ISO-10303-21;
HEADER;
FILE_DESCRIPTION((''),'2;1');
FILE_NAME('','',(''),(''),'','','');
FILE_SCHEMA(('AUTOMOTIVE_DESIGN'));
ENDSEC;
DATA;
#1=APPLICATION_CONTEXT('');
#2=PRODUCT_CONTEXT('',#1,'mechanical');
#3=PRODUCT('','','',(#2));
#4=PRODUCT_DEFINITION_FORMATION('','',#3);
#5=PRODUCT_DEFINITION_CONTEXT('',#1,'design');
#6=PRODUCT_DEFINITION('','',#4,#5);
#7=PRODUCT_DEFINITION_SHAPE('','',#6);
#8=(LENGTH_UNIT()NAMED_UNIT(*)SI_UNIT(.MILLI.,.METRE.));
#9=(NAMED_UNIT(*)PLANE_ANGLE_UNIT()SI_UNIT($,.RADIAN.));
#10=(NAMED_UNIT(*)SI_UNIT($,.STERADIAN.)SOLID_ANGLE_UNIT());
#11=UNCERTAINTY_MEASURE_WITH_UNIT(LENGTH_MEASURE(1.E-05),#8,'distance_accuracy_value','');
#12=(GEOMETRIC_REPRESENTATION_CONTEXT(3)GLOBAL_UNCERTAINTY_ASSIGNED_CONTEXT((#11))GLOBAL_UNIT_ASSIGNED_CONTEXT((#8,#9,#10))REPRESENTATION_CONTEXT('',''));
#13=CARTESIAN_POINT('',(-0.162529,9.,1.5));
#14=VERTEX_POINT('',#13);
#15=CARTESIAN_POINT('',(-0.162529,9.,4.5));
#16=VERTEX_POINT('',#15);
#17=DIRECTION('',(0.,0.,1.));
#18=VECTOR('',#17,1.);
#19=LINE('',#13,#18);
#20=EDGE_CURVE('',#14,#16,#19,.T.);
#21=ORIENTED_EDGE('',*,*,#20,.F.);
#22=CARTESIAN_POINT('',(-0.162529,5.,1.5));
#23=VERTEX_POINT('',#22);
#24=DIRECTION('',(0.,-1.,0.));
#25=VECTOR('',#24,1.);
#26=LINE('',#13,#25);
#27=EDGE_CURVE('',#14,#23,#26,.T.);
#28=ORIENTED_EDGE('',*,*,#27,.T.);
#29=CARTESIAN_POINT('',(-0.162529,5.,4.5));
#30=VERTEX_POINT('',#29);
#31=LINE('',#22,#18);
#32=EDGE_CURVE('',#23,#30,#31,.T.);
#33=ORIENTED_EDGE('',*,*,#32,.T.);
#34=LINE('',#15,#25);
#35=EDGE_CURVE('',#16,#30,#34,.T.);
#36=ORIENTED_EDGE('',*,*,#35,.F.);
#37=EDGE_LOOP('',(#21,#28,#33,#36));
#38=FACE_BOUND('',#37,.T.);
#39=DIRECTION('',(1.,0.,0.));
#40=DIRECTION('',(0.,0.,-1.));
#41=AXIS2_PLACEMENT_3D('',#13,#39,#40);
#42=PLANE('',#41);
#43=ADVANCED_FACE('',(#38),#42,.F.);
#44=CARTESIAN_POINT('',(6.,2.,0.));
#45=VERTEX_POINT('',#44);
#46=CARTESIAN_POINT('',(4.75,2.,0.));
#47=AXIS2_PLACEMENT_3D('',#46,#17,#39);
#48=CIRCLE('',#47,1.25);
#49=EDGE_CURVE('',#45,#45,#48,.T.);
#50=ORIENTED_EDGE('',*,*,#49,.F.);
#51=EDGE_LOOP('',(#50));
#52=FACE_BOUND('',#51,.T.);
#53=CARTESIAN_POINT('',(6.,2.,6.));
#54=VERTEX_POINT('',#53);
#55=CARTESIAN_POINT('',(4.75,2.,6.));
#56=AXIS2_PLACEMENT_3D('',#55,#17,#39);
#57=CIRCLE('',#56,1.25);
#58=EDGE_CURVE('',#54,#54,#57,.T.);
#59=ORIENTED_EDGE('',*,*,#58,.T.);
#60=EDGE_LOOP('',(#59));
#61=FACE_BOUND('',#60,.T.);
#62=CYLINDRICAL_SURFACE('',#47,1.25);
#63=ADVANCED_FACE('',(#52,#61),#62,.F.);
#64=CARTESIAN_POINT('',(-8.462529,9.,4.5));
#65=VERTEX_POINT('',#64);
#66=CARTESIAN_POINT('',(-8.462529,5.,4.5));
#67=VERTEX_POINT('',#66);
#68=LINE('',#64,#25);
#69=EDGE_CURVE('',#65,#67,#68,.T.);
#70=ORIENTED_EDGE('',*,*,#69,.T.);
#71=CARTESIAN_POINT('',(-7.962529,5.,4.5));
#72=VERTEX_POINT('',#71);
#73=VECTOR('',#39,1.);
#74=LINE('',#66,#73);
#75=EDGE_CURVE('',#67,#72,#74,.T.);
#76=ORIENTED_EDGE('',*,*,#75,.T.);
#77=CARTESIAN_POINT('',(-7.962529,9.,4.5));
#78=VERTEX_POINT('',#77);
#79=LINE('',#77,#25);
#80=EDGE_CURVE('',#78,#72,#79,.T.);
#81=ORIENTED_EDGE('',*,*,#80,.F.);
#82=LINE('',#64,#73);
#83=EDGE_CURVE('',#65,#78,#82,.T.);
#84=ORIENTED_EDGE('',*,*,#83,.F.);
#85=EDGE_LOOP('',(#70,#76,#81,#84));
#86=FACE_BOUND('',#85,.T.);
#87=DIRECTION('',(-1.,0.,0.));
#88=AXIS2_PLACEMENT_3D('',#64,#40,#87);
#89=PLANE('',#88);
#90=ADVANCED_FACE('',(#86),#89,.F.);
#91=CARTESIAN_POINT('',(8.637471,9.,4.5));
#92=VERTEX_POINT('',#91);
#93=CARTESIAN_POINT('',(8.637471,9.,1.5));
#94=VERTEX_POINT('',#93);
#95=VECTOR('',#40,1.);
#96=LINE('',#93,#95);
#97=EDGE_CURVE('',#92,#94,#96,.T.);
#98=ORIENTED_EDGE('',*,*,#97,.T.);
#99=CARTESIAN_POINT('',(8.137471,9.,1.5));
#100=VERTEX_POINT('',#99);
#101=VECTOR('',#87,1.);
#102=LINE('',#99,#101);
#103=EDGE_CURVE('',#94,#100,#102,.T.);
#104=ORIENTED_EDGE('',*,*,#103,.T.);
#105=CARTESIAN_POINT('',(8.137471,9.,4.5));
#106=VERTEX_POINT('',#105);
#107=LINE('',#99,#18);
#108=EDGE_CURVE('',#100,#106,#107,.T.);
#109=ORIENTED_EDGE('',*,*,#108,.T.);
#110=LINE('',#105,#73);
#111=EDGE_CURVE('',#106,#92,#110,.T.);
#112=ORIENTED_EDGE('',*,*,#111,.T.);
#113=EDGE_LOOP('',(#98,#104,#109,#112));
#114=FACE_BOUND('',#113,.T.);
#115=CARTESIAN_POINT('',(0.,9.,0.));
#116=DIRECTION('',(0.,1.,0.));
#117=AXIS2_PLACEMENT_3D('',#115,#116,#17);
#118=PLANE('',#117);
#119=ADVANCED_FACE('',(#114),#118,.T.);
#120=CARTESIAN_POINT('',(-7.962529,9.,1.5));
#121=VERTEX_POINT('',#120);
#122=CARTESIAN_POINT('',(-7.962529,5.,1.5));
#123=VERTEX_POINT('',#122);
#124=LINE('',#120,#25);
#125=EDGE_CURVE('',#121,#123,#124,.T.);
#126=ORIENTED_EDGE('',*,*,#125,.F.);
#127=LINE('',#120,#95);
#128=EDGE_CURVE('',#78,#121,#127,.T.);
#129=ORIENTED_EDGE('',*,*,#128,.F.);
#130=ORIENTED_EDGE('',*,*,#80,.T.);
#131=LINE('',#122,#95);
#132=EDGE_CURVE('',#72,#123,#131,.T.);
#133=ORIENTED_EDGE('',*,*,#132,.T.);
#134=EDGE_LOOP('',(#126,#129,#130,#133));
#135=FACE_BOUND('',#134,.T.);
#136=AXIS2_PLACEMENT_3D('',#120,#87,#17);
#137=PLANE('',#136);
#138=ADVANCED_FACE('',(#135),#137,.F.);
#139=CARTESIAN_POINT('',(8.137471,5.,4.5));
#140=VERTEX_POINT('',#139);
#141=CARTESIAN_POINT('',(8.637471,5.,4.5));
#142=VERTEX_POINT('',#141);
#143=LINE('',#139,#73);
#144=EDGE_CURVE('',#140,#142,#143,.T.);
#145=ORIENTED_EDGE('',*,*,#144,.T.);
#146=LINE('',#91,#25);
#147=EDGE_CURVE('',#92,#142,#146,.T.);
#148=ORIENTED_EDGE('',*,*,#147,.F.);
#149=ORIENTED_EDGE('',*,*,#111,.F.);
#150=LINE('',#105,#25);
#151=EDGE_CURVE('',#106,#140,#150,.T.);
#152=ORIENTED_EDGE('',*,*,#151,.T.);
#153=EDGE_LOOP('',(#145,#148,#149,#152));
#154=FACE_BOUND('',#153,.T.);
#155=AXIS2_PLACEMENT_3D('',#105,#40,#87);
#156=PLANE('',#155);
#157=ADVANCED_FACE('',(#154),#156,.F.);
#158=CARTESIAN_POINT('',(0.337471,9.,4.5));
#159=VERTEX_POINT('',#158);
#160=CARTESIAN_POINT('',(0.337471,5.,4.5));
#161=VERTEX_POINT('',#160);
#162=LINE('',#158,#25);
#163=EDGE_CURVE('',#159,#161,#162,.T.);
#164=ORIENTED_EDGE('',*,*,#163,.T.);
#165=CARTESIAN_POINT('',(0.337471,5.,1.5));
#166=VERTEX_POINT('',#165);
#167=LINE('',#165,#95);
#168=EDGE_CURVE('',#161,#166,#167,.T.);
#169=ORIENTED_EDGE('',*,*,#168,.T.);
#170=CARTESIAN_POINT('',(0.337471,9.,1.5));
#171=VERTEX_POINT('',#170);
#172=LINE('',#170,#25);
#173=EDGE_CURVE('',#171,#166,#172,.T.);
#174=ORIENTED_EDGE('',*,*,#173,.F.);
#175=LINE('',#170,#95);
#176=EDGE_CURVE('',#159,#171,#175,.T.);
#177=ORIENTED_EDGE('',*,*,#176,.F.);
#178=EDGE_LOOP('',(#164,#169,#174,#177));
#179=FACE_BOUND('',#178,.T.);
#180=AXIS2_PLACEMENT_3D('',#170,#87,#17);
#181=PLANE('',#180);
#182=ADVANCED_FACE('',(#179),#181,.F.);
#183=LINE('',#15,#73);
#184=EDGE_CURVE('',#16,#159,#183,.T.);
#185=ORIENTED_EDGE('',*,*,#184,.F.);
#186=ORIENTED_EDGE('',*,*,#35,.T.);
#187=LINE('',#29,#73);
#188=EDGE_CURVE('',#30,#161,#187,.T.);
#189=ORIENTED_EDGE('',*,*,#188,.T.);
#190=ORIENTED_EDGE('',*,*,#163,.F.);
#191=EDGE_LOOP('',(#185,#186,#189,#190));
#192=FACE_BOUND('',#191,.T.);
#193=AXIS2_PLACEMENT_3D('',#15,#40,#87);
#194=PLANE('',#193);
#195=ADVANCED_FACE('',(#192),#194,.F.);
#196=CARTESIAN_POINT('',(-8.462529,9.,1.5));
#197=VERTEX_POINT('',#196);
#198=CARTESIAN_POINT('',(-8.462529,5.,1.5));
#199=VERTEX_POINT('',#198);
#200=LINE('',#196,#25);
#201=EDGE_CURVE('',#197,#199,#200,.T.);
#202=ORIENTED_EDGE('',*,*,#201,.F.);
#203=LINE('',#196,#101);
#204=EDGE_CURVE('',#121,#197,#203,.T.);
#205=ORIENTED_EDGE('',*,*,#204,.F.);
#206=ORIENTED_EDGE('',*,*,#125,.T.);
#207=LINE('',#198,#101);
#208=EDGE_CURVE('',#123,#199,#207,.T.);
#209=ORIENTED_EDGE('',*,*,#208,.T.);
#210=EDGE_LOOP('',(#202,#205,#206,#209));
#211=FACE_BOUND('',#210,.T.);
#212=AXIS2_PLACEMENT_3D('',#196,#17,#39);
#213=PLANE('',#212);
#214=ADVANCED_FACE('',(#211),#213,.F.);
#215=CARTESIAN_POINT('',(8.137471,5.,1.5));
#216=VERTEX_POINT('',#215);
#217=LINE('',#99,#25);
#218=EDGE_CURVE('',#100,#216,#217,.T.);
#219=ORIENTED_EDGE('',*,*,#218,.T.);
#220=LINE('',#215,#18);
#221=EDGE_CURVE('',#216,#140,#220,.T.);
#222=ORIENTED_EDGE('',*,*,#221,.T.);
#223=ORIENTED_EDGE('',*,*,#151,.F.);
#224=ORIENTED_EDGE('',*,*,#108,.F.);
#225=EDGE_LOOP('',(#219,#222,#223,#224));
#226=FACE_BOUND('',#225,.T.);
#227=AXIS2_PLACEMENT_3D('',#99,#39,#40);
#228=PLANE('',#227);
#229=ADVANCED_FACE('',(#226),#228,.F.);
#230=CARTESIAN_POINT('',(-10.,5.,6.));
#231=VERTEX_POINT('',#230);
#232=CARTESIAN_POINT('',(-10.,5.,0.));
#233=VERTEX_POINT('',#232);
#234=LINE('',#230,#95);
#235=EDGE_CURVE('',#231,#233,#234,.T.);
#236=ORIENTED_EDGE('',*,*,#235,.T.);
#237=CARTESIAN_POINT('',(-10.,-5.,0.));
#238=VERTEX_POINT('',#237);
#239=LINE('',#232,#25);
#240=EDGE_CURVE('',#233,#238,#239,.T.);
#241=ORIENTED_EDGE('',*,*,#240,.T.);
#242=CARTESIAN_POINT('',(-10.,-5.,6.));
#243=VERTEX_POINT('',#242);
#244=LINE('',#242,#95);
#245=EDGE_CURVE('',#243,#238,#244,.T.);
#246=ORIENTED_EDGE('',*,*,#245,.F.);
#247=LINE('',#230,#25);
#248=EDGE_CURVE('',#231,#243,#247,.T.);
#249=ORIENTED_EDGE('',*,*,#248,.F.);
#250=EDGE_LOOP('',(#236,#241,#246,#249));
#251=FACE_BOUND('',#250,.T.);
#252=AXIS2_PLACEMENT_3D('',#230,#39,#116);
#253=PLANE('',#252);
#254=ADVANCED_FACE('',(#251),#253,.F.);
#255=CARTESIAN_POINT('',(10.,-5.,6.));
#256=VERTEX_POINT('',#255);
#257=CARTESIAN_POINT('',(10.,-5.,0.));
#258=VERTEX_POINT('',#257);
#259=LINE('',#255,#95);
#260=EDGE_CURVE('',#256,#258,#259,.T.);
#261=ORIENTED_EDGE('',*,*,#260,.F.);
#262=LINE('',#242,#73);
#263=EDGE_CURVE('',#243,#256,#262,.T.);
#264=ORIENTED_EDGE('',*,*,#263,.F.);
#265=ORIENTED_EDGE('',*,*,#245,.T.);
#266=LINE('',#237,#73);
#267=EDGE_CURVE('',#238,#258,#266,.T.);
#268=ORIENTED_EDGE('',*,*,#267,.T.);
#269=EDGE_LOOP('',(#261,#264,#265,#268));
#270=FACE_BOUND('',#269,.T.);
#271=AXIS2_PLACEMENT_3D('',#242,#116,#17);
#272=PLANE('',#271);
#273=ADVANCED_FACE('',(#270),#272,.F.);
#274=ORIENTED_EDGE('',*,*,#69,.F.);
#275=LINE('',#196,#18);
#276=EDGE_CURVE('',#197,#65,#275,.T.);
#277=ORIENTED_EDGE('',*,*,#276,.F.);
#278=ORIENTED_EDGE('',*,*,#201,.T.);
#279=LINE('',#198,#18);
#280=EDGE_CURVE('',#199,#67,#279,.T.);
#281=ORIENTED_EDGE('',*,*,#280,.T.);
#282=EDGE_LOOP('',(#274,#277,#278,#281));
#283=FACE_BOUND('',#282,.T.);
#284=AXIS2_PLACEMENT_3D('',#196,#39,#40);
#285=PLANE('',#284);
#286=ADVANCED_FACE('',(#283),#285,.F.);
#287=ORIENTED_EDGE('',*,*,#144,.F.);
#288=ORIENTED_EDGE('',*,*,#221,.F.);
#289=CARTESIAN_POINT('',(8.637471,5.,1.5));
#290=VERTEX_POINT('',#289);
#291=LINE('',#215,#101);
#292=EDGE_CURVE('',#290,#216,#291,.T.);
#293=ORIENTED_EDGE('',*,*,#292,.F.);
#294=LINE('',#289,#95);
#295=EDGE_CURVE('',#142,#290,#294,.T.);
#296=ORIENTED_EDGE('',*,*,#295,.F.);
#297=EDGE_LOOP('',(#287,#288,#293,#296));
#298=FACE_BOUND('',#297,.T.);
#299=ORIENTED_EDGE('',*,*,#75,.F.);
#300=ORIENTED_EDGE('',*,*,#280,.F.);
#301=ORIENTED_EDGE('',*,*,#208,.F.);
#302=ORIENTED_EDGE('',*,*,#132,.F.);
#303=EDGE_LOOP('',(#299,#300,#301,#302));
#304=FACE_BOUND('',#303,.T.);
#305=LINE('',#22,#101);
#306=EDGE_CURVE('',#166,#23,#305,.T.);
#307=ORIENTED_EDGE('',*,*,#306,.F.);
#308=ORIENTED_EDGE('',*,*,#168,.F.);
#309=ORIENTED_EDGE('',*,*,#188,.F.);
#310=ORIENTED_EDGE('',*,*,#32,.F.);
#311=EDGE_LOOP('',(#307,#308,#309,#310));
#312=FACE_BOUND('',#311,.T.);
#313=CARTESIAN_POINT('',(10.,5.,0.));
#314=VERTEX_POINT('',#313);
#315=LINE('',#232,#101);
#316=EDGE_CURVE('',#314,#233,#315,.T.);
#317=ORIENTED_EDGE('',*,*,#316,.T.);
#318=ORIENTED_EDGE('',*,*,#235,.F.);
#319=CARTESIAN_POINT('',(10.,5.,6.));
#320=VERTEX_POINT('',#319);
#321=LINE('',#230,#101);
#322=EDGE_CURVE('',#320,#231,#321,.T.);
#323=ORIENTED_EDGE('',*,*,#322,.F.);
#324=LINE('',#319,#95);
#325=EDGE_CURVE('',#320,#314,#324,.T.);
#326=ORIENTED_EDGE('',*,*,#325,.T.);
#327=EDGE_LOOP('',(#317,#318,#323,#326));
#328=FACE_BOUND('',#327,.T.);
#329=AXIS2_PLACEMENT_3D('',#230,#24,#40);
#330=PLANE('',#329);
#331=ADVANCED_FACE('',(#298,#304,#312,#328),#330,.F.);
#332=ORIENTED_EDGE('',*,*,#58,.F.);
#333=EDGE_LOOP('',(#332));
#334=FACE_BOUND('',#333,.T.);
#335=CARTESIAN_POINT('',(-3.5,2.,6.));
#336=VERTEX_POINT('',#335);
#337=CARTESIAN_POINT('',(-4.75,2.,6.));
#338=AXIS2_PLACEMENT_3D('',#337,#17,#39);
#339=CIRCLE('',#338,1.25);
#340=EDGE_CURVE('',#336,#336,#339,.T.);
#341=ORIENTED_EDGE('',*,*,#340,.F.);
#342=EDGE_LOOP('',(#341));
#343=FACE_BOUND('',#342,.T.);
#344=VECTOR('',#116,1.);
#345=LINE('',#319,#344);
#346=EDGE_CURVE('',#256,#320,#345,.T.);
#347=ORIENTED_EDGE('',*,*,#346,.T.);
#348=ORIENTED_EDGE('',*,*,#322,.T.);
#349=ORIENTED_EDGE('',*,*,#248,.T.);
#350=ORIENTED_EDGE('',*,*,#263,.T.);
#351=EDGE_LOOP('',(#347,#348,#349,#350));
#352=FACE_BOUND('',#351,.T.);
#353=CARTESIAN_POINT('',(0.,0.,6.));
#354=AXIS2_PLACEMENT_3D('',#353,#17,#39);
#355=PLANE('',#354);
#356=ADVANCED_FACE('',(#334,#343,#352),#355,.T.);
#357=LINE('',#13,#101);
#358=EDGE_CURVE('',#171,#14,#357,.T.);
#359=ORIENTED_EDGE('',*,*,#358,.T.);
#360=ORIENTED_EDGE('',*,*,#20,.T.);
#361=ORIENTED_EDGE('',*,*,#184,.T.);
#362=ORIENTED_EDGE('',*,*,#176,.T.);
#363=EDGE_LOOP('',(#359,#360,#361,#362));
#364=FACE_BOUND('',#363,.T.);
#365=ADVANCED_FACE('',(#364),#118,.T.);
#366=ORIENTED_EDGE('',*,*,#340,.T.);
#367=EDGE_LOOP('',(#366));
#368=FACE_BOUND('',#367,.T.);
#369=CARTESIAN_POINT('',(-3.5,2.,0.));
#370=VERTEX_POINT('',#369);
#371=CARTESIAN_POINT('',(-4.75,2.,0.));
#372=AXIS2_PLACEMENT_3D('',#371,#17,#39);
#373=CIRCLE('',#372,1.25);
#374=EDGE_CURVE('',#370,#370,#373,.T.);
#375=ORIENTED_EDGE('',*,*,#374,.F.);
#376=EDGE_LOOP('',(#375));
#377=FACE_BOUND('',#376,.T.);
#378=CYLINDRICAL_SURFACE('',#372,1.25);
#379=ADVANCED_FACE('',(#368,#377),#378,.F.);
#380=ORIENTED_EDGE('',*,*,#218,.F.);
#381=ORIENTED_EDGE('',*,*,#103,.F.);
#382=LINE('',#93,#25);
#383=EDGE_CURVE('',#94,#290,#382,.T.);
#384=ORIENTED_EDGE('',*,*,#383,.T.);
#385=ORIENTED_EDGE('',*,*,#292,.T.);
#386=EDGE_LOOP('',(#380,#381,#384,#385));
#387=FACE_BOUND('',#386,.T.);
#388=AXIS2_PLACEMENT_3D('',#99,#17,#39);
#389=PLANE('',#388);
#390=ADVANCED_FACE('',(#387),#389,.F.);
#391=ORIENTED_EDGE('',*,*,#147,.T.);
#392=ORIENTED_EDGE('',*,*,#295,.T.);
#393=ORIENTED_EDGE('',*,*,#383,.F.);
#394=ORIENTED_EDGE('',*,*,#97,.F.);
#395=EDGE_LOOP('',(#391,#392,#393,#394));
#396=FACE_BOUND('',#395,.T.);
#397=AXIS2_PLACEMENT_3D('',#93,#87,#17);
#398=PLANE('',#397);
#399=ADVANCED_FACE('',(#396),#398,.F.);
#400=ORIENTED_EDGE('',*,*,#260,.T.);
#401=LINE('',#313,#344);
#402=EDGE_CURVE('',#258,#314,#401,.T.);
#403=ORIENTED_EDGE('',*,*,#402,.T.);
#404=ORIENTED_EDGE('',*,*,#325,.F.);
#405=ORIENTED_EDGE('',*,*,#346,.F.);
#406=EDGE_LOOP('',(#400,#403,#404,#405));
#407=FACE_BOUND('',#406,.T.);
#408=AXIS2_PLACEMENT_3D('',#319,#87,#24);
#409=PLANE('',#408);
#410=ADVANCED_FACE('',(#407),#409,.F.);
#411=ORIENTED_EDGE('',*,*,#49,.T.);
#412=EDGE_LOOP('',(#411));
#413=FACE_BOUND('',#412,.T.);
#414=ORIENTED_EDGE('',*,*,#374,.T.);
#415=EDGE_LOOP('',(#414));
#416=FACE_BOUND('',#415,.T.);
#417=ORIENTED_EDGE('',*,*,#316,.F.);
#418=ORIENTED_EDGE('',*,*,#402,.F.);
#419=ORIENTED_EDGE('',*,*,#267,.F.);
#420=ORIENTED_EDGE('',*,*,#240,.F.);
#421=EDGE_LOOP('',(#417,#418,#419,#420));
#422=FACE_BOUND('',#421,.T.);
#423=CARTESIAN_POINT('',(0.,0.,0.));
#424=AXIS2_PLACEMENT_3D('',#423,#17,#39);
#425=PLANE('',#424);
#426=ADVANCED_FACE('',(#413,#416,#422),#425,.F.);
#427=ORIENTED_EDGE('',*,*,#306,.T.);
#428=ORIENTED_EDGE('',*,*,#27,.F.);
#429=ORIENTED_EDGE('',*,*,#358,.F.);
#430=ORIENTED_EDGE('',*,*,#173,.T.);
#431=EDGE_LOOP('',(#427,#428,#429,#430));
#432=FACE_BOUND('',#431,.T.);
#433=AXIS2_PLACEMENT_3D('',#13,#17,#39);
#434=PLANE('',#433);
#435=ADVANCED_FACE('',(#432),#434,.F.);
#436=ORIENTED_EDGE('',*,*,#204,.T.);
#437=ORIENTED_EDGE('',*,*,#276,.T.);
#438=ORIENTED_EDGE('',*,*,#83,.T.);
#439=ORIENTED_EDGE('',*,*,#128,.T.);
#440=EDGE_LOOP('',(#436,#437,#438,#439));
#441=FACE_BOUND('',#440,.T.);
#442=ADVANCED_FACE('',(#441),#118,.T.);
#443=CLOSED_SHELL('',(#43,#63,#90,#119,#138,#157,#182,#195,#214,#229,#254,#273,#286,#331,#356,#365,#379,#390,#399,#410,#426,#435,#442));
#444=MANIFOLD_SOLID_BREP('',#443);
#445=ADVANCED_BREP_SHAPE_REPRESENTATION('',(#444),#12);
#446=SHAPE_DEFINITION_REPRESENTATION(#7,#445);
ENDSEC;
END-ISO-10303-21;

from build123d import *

# Parameters (mm, degrees)
SKETCH1_W           = 20
SKETCH1_H           = 10
BOSS_EXTRUDE1_DEPTH = 6
SKETCH2_W           = 0.5
SKETCH2_H           = 3
BOSS_EXTRUDE2_DEPTH = 4
SKETCH3_R           = 1.25
CUT_EXTRUDE1_DEPTH  = 15.730919863


with BuildPart() as part:
    # Sketch1 → Boss-Extrude1 (new body)
    with BuildSketch(Plane.XY):
        Rectangle(SKETCH1_W, SKETCH1_H)
    extrude(amount=BOSS_EXTRUDE1_DEPTH)

    # Sketch2 → Boss-Extrude2 (add)
    with BuildSketch(Plane(origin=(0, 5, 0), x_dir=(1, 0, 0), z_dir=(0, 1, 0))):
        with Locations((-8.212529155, -3)):
            Rectangle(SKETCH2_W, SKETCH2_H)
        with Locations((0.087470845, -3)):
            Rectangle(SKETCH2_W, SKETCH2_H)
        with Locations((8.387470845, -3)):
            Rectangle(SKETCH2_W, SKETCH2_H)
    extrude(amount=BOSS_EXTRUDE2_DEPTH)

    # Sketch3 → Cut-Extrude1 (cut, through all)
    with BuildSketch(Plane.XY.offset(6)):
        with Locations((-4.75, 2)):
            Circle(SKETCH3_R)
        with Locations((4.75, 2)):
            Circle(SKETCH3_R)
    extrude(amount=-CUT_EXTRUDE1_DEPTH, mode=Mode.SUBTRACT)


solid = part.part
